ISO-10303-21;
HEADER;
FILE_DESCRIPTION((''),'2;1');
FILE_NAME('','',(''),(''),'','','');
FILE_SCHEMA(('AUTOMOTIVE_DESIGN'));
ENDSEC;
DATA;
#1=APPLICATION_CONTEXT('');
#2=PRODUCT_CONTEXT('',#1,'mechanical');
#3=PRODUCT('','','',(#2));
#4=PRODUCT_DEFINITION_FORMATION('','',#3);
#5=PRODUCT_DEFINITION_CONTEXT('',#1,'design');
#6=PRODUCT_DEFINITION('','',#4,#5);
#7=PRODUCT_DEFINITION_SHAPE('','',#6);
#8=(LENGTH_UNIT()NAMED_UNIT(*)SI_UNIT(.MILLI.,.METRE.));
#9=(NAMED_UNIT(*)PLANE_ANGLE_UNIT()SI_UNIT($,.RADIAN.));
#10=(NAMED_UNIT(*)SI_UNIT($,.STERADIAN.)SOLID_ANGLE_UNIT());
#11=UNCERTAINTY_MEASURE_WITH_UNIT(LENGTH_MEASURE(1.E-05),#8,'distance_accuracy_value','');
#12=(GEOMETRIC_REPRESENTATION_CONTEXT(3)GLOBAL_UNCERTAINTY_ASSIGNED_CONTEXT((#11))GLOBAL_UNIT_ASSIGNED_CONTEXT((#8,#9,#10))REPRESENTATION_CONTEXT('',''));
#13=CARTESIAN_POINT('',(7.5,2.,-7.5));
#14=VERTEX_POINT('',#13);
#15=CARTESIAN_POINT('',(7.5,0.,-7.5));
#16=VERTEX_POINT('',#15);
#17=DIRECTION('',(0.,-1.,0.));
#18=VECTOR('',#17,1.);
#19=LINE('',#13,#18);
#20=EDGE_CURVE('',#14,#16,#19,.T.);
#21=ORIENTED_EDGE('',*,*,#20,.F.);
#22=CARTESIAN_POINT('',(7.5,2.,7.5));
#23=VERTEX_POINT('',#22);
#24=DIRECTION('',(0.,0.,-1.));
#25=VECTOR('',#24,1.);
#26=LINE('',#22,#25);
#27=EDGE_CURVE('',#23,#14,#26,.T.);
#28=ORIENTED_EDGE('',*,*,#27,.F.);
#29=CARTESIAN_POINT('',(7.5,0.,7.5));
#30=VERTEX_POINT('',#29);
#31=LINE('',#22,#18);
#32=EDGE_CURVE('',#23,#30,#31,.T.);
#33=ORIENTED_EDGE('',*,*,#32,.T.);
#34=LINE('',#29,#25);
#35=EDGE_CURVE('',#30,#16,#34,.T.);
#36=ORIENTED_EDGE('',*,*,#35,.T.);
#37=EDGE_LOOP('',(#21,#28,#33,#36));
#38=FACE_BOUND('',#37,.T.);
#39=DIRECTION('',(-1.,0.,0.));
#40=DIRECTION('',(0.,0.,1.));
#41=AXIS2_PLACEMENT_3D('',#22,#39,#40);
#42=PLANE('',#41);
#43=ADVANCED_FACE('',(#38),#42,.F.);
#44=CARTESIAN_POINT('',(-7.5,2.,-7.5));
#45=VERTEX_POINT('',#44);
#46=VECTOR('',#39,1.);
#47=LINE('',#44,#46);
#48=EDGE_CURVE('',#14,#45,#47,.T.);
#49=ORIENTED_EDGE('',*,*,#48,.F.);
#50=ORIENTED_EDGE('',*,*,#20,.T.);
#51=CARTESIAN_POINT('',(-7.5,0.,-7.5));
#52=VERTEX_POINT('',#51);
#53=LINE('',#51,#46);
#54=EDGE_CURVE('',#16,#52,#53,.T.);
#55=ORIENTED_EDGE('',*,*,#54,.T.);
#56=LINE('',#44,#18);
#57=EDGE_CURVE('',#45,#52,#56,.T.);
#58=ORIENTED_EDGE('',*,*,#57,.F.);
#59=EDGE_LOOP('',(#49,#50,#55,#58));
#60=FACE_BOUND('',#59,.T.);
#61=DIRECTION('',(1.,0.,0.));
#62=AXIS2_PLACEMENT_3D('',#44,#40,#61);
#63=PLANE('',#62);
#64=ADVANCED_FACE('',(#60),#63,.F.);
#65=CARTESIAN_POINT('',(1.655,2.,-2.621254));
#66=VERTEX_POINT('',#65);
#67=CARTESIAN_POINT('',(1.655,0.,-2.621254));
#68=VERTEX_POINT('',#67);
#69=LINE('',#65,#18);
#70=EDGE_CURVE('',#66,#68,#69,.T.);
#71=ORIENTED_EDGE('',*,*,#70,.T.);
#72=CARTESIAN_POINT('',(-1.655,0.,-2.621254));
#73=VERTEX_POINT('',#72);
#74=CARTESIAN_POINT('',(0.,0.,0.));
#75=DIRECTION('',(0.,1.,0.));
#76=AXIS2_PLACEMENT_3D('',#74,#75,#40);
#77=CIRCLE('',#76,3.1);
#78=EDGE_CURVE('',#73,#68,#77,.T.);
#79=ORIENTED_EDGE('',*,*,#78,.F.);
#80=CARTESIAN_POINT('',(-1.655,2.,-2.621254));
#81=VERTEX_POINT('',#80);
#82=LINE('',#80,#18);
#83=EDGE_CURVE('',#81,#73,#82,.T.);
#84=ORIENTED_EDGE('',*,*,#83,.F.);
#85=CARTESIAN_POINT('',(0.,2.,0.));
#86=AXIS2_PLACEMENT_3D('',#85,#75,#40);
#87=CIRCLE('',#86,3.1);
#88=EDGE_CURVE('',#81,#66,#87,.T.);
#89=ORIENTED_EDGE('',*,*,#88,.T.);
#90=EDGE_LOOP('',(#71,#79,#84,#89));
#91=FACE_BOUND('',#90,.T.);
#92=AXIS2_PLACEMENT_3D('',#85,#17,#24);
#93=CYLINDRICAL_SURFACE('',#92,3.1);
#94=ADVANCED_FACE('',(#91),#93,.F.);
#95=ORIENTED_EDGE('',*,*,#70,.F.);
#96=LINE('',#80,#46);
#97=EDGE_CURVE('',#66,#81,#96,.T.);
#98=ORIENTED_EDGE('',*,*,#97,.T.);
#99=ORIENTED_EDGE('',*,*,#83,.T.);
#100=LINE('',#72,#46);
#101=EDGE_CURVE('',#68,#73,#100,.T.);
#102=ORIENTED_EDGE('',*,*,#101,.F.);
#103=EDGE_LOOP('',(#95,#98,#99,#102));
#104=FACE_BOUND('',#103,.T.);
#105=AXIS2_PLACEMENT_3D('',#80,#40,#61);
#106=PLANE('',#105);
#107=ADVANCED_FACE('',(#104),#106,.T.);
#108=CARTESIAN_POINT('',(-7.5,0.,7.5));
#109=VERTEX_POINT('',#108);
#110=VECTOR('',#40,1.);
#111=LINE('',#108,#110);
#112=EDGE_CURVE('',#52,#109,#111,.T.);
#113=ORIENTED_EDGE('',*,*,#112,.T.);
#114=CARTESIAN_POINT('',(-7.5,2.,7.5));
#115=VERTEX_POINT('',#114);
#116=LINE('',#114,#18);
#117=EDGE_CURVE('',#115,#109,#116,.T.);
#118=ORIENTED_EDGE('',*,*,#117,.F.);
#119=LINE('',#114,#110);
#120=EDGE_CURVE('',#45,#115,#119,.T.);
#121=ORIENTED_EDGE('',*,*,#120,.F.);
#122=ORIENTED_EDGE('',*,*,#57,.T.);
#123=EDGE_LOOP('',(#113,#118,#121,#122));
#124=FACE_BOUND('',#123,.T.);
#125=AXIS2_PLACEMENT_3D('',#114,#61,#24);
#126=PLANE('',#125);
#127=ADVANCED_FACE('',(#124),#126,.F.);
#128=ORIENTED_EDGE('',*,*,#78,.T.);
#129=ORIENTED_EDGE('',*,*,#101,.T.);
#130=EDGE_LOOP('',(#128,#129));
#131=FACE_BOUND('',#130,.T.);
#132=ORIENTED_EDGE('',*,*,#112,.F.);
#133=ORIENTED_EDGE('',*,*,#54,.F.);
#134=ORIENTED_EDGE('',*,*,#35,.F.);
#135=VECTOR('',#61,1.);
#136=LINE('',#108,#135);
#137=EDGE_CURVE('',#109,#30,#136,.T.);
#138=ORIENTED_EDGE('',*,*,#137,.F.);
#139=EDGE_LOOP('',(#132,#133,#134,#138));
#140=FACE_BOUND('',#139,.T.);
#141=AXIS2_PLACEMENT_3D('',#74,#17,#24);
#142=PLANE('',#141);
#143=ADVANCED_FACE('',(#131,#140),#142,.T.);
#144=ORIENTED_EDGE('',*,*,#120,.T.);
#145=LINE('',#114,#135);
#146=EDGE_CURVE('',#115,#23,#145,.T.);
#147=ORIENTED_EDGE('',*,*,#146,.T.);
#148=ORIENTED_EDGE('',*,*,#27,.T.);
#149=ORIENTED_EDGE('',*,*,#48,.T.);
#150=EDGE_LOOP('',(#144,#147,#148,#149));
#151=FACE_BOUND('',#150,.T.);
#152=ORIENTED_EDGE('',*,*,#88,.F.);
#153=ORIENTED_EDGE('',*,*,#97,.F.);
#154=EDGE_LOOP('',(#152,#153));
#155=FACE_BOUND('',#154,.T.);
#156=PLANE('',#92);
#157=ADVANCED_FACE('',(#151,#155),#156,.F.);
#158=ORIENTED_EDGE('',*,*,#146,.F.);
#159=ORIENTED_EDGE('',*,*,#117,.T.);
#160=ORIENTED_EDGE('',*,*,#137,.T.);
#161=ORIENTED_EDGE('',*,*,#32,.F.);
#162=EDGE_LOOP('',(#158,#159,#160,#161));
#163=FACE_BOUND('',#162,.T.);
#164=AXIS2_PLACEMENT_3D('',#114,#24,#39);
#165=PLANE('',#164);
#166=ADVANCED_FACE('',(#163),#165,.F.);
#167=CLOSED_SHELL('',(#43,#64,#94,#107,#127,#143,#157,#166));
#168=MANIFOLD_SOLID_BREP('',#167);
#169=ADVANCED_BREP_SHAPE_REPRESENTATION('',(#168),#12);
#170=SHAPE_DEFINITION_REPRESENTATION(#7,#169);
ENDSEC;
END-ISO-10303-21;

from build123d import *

# Parameters (mm, degrees)
SKETCH1_W           = 15
SKETCH1_H           = 15
BOSS_EXTRUDE1_DEPTH = 2


with BuildPart() as part:
    # Sketch1 → Boss-Extrude1 (new body)
    with BuildSketch(Plane(origin=(0, 0, 0), x_dir=(1, 0, 0), z_dir=(0, 1, 0))):
        Rectangle(SKETCH1_W, SKETCH1_H)
        with BuildLine():
            Line((-1.655, 2.621254471), (1.655, 2.621254471))
            ThreePointArc((1.655, 2.621254471), (0, -3.1), (-1.655, 2.621254471))
        make_face(mode=Mode.SUBTRACT)
    extrude(amount=BOSS_EXTRUDE1_DEPTH)


solid = part.part
